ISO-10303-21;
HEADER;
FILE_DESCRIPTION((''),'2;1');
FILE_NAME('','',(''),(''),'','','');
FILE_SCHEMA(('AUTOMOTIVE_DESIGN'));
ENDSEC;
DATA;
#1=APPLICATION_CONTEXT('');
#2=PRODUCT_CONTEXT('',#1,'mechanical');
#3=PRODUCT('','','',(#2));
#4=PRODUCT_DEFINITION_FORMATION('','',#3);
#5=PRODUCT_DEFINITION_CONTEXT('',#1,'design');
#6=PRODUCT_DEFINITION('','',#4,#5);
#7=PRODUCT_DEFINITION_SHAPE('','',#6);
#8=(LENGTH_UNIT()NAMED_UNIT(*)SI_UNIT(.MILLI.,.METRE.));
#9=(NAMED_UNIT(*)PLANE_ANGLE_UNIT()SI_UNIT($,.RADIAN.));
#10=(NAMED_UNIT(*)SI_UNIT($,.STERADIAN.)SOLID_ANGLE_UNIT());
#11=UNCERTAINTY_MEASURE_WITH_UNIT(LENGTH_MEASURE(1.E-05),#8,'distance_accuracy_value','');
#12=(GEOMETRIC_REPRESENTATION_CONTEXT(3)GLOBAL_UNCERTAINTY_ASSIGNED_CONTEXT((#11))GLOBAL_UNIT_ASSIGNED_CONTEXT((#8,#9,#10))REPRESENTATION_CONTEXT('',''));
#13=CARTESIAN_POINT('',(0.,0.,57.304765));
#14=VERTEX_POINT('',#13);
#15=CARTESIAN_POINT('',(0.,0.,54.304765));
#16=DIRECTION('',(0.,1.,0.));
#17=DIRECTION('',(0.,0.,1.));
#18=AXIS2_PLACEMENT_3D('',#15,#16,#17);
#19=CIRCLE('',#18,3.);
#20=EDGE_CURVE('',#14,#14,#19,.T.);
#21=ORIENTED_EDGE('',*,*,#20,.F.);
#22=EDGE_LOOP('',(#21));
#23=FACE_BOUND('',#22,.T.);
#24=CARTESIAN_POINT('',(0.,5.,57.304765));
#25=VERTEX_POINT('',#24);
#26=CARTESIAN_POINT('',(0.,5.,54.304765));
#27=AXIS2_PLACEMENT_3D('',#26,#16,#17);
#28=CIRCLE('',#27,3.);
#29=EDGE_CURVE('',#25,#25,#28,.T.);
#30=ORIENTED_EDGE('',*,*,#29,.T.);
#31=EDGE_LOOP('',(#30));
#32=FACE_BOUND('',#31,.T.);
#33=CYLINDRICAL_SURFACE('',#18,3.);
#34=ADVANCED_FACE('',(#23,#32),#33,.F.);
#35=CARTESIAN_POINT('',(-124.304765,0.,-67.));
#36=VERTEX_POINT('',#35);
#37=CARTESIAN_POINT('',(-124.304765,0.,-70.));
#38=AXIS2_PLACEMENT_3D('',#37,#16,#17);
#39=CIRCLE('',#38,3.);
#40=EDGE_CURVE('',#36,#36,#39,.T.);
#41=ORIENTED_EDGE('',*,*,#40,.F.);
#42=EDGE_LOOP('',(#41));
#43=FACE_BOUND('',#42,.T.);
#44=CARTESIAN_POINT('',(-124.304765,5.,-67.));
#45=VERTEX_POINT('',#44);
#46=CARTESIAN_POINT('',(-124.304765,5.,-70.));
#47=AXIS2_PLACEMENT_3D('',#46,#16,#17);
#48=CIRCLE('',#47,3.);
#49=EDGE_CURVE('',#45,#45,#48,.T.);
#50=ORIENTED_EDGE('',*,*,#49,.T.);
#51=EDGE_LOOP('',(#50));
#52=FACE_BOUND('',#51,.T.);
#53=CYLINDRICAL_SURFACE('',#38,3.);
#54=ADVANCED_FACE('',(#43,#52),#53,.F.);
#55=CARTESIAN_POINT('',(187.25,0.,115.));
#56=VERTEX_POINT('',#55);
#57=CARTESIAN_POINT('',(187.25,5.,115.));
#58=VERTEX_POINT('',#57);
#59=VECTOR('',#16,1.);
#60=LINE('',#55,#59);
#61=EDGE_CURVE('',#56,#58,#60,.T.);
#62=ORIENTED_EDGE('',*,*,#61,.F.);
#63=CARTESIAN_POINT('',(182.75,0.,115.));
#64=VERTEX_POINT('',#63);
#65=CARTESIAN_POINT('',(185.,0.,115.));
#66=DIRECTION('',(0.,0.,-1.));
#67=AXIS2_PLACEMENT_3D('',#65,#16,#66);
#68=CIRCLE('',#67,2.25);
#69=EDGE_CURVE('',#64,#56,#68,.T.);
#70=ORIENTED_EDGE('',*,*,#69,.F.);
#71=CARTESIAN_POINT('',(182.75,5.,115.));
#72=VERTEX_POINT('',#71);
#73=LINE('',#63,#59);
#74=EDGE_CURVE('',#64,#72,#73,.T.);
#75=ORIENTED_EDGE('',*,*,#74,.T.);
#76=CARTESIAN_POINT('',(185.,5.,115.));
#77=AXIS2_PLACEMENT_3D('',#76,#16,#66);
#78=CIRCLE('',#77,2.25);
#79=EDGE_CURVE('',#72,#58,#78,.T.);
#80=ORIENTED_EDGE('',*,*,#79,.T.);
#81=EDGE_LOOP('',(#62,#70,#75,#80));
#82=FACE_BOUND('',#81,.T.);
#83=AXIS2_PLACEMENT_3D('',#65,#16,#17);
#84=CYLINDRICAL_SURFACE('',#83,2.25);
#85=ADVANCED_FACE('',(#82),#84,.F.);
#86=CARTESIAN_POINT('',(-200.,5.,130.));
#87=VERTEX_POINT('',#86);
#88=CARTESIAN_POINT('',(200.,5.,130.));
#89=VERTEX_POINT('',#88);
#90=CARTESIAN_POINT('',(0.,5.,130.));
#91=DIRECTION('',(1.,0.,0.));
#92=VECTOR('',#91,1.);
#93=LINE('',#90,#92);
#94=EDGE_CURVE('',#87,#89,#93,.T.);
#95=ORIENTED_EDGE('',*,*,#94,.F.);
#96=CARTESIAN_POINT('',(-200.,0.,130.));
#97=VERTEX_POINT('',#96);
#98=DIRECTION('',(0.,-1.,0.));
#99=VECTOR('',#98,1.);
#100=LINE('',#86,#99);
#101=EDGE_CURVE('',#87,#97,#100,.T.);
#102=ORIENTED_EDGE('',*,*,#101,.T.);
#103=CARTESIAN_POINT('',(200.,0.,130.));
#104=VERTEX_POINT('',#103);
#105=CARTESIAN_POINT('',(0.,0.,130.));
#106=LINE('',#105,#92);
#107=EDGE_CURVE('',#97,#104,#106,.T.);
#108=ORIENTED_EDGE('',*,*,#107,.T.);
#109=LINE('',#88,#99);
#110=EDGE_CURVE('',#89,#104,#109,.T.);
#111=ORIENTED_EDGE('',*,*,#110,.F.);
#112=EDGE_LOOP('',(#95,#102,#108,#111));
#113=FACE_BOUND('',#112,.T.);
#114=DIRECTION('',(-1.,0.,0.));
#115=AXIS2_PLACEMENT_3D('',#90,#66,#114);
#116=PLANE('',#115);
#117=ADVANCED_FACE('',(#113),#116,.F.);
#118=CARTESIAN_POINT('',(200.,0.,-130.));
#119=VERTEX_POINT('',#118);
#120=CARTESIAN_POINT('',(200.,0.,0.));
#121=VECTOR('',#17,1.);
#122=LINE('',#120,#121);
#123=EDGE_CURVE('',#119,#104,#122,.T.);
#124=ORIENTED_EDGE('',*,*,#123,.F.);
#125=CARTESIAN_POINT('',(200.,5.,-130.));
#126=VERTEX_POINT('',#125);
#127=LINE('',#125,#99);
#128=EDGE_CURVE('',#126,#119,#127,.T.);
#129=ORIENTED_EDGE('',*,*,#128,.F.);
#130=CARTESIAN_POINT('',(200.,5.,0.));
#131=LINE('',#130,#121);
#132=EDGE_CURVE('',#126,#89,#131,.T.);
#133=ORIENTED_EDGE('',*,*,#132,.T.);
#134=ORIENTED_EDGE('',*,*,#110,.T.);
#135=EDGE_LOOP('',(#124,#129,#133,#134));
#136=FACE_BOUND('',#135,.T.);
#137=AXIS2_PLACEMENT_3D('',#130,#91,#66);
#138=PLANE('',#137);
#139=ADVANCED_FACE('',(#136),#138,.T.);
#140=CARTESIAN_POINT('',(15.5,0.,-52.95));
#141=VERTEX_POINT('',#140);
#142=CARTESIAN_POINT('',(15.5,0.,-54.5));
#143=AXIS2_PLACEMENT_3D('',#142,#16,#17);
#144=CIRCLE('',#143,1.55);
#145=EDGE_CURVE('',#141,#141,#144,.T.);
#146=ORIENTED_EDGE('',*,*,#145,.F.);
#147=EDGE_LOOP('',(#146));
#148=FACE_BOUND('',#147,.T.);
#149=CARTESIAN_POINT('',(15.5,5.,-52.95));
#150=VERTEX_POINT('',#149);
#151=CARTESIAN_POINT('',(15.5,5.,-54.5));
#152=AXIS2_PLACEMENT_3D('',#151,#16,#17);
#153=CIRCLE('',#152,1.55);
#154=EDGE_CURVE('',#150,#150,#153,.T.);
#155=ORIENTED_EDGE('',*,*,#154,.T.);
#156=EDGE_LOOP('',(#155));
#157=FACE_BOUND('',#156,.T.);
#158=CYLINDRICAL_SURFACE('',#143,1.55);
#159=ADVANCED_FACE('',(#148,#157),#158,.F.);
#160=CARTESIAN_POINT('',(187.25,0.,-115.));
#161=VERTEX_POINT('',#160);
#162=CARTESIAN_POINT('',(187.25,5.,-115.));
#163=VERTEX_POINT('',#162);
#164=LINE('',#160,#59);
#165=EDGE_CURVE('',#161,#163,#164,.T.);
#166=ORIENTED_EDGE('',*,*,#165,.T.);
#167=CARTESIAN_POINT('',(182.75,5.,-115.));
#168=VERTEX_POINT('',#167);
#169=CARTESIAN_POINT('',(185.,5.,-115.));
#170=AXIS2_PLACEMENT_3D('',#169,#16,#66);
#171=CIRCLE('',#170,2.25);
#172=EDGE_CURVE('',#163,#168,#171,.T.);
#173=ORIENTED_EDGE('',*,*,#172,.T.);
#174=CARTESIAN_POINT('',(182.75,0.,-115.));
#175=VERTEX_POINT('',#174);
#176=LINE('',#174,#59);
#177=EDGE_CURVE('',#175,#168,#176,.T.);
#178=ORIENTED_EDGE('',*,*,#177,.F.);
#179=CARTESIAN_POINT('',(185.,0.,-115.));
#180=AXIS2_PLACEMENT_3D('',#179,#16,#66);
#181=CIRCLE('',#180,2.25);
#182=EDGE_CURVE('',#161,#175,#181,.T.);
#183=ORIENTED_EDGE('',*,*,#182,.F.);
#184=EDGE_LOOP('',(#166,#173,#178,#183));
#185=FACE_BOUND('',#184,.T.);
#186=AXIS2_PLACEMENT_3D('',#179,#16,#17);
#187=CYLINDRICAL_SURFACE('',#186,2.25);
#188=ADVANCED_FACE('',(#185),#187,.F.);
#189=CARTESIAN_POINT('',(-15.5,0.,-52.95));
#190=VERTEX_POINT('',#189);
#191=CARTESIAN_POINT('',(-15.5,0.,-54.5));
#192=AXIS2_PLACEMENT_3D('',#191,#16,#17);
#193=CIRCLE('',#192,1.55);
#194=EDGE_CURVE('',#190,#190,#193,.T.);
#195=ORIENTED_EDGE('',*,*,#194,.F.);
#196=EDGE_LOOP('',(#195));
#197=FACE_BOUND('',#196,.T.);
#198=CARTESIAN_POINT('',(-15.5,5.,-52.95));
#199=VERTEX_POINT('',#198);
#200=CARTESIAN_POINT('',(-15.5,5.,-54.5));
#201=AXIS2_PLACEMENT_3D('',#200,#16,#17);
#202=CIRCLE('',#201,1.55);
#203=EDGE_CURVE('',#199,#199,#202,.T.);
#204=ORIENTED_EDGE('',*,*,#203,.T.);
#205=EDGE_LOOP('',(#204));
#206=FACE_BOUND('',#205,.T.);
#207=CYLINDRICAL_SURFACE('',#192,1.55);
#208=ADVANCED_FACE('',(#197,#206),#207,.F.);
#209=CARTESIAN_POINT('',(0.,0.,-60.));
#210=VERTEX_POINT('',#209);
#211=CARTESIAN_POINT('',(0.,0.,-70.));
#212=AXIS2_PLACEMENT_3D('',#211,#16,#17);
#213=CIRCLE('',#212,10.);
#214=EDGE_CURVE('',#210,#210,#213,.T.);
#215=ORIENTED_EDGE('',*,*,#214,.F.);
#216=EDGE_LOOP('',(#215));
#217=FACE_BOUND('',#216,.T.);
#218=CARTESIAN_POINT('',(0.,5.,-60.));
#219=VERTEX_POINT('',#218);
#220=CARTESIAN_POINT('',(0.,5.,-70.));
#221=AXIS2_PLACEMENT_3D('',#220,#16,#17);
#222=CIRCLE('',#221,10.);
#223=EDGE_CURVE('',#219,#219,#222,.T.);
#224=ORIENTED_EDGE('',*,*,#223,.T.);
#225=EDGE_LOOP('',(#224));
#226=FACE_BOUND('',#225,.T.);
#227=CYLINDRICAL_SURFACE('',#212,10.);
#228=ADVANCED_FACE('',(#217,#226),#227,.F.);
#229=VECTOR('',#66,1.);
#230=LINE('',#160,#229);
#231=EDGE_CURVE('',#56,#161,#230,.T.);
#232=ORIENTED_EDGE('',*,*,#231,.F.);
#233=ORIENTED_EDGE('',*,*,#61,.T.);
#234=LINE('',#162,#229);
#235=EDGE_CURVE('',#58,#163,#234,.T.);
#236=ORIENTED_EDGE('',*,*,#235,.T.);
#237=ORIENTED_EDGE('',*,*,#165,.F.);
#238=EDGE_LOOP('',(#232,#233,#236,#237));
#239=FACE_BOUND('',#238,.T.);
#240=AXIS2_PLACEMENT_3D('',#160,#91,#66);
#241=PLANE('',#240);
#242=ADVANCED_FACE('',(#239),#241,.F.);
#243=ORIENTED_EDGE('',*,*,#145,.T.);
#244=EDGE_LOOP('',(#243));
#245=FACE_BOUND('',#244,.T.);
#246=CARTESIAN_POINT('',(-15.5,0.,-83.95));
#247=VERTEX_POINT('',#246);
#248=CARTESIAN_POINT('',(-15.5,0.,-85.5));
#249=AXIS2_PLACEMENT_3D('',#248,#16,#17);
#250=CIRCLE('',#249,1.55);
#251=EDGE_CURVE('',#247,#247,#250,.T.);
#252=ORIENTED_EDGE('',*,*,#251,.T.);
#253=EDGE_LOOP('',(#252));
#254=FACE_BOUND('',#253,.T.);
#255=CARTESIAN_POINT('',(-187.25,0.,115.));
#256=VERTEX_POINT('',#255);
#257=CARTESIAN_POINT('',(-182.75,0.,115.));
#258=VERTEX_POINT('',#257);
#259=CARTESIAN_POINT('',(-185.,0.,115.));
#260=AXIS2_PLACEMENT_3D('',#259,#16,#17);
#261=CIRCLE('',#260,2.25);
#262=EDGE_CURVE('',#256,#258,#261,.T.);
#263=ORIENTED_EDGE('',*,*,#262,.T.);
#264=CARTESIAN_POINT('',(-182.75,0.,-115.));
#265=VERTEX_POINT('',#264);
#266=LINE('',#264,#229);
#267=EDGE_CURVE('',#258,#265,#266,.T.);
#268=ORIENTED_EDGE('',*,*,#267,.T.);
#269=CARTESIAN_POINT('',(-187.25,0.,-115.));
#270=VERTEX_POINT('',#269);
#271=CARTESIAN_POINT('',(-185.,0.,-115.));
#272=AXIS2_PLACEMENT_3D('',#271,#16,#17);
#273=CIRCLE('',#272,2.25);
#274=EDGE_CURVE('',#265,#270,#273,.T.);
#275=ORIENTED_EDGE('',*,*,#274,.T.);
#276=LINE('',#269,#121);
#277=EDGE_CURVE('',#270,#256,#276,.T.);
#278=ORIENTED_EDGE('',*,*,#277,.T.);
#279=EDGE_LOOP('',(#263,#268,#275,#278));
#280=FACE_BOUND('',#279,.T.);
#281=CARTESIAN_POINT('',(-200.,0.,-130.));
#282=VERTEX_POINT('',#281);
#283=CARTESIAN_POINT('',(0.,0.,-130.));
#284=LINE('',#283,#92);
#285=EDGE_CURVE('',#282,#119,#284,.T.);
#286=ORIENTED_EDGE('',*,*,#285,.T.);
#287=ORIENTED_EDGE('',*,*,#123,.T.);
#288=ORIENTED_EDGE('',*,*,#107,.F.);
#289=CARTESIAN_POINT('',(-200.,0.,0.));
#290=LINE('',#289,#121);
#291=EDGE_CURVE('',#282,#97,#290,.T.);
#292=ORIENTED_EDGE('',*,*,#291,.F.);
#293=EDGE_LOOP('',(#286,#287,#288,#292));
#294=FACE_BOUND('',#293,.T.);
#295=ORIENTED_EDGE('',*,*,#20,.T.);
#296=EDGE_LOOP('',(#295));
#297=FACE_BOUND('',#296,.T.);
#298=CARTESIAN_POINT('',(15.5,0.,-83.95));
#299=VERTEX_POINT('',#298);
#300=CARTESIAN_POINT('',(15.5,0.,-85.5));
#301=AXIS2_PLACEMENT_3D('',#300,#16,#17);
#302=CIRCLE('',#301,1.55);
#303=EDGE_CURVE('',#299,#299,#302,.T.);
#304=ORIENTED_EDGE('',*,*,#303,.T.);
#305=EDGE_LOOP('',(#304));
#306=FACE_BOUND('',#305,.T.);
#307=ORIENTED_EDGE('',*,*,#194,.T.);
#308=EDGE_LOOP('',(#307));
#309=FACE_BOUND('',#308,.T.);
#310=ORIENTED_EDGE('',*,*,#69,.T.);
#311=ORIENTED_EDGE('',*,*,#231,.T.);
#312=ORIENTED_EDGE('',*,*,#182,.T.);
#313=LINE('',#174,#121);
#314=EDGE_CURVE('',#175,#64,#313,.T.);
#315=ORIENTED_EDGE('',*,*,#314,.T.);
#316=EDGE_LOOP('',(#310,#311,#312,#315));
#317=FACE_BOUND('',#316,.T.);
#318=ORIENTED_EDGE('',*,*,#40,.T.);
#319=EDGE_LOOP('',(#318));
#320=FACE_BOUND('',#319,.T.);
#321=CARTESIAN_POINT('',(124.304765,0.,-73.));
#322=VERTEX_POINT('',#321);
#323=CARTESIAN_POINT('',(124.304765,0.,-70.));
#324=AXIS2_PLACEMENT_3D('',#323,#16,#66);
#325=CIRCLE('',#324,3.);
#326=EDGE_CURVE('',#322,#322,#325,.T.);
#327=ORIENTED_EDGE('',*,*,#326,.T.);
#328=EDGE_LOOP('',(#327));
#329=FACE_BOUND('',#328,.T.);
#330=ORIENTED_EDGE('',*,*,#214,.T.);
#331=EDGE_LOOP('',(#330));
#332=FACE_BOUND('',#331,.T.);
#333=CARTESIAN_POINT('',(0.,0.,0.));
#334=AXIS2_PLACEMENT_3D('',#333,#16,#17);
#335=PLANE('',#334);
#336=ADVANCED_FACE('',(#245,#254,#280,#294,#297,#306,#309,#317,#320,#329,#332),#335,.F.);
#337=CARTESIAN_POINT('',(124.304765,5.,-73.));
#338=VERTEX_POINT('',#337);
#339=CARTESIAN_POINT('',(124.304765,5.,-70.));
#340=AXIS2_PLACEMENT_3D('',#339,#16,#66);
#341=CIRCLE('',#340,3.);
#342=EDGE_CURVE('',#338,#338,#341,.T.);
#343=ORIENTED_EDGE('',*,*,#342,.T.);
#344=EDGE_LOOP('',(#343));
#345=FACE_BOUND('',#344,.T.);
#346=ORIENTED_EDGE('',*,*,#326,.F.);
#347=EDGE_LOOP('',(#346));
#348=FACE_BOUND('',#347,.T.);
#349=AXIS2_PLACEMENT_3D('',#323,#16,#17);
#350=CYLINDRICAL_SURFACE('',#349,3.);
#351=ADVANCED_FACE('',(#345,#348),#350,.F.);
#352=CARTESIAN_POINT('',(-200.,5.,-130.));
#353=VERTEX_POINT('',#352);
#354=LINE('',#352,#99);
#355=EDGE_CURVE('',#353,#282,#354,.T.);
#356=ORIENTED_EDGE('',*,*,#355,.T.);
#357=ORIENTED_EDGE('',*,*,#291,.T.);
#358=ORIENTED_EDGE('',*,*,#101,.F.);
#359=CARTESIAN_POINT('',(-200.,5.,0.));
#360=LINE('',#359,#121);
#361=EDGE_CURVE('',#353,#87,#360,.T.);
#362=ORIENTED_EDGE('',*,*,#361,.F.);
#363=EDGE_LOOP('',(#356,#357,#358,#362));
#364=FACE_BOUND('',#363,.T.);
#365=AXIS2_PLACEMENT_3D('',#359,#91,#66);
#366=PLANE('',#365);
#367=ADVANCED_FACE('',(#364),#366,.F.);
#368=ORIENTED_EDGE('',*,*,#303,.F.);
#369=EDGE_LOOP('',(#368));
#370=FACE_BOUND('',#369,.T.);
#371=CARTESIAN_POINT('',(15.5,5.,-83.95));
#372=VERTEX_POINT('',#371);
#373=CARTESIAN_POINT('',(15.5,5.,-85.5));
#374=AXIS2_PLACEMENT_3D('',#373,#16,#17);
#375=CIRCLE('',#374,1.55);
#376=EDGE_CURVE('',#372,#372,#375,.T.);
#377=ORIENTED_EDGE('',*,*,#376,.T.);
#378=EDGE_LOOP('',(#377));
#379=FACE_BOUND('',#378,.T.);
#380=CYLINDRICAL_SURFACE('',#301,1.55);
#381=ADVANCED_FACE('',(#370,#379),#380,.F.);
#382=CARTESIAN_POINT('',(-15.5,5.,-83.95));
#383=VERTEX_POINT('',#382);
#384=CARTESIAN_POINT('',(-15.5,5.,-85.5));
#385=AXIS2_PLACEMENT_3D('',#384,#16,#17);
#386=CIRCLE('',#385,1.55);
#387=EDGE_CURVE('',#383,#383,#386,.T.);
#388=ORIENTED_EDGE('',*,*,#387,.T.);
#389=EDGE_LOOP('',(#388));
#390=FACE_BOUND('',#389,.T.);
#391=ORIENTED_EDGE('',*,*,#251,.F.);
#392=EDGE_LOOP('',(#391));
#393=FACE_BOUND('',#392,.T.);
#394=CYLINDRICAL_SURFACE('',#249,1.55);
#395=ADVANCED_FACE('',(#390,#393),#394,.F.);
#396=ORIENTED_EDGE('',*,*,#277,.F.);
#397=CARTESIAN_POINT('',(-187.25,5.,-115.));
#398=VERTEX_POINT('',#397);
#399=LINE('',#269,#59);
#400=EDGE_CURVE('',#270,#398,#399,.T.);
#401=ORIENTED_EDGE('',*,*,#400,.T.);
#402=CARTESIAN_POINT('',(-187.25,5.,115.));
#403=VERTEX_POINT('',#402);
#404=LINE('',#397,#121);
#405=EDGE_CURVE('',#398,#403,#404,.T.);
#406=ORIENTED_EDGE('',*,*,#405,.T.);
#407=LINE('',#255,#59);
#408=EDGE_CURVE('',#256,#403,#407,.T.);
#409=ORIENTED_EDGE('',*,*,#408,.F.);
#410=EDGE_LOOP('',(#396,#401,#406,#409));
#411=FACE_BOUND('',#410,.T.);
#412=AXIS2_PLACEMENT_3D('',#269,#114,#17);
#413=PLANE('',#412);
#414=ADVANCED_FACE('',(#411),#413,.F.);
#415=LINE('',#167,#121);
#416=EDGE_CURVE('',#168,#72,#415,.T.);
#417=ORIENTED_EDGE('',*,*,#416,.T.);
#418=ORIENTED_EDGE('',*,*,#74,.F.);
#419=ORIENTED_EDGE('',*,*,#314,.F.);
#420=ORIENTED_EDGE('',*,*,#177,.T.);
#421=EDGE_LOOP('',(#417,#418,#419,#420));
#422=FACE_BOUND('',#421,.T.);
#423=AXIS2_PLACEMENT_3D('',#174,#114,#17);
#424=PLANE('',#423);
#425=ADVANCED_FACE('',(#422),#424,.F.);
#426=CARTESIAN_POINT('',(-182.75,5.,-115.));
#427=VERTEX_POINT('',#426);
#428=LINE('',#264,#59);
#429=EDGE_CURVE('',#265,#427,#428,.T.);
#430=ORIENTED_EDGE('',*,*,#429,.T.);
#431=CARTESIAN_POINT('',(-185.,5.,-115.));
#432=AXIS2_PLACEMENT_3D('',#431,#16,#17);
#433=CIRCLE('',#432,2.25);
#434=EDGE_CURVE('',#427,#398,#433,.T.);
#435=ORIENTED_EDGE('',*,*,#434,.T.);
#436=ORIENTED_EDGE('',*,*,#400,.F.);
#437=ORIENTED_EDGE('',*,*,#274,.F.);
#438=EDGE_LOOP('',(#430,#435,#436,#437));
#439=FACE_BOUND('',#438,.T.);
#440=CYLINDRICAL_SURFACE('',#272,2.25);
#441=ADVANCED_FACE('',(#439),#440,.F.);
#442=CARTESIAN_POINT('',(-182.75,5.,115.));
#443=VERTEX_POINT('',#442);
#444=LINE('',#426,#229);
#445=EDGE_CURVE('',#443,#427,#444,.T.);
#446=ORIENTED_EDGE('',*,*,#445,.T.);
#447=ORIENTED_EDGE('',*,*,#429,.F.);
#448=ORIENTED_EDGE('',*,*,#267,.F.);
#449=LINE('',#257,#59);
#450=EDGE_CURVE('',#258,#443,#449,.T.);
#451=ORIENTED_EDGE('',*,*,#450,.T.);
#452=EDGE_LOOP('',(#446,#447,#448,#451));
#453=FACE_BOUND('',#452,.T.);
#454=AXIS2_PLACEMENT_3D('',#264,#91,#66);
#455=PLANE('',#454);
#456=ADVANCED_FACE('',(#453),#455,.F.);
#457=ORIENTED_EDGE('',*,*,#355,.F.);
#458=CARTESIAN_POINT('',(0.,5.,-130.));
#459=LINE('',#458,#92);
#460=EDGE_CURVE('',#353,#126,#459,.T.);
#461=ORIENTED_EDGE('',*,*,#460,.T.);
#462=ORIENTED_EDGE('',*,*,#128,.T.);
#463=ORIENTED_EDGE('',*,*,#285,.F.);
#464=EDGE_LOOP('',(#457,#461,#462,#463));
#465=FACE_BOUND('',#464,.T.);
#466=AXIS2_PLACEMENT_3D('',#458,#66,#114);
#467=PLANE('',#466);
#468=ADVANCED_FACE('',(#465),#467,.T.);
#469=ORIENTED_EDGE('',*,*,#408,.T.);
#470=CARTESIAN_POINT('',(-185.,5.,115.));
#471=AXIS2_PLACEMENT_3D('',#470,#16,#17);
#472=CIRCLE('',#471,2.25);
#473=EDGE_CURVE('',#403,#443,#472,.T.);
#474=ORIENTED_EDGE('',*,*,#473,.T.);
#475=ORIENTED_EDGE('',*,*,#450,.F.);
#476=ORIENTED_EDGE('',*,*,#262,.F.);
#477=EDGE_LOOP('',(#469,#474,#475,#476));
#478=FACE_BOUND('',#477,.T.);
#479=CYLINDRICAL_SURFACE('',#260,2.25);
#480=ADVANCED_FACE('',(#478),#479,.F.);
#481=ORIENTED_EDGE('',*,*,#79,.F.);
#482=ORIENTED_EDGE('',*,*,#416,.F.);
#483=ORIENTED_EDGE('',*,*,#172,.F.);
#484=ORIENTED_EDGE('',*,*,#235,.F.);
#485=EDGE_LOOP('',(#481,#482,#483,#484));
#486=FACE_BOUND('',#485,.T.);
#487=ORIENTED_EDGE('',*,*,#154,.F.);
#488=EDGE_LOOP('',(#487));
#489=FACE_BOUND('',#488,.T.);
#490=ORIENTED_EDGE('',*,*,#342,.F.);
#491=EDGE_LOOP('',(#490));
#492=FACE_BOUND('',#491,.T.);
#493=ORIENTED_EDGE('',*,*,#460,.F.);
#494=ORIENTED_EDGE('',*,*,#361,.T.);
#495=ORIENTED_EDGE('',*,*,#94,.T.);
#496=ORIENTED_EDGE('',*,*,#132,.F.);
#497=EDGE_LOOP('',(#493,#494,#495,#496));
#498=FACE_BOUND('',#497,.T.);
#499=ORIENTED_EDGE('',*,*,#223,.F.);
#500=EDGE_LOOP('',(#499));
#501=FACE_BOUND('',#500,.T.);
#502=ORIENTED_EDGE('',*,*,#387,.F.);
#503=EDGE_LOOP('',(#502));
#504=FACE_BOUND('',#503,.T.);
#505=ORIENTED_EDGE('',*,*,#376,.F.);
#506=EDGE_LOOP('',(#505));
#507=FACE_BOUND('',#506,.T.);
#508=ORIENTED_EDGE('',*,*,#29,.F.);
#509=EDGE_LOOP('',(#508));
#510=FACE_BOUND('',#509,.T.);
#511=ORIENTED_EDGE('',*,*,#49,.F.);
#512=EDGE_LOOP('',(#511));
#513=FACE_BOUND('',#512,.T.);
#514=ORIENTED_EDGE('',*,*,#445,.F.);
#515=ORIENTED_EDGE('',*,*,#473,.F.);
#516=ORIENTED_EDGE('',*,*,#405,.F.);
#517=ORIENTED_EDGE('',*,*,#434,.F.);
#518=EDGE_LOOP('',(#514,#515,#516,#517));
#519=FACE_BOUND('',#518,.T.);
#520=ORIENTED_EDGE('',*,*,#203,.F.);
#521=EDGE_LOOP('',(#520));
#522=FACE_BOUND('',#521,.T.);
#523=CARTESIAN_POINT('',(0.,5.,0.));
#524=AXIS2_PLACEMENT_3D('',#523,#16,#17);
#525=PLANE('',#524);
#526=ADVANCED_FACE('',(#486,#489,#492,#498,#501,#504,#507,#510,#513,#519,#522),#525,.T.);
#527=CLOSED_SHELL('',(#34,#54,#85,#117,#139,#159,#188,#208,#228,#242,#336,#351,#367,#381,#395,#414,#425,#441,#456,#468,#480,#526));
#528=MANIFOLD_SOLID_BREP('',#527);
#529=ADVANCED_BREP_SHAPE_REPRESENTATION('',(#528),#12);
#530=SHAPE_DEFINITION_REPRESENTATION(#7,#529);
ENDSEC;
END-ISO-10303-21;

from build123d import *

# Parameters (mm, degrees)
SKETCH_1_W          = 400
SKETCH_1_H          = 260
EXTRUDE_1_DEPTH     = 5
CUT_EXTRUDE_1_DEPTH = 239.589605809
SKETCH_3_R          = 1.55
SKETCH_3_R_2        = 10
SKETCH_3_R_3        = 3
CUT_EXTRUDE_2_DEPTH = 239.589605809


with BuildPart() as part:
    # 草圖1 → 填料-伸長1 (new body)
    with BuildSketch(Plane(origin=(0, 0, 0), x_dir=(1, 0, 0), z_dir=(0, 1, 0))):
        Rectangle(SKETCH_1_W, SKETCH_1_H)
    extrude(amount=EXTRUDE_1_DEPTH)

    # 草圖2 → 除料-伸長1 (cut, through all)
    with BuildSketch(Plane(origin=(0, 5, 0), x_dir=(1, 0, 0), z_dir=(0, 1, 0))):
        with BuildLine():
            Line((-182.75, 115), (-182.75, -115))
            ThreePointArc((-182.75, -115), (-185, -117.25), (-187.25, -115))
            Line((-187.25, -115), (-187.25, 115))
            ThreePointArc((-187.25, 115), (-185, 117.25), (-182.75, 115))
        make_face()
        with BuildLine():
            Line((182.75, 115), (182.75, -115))
            ThreePointArc((182.75, -115), (185, -117.25), (187.25, -115))
            Line((187.25, -115), (187.25, 115))
            ThreePointArc((187.25, 115), (185, 117.25), (182.75, 115))
        make_face()
    extrude(amount=-CUT_EXTRUDE_1_DEPTH, mode=Mode.SUBTRACT)

    # 草圖3 → 除料-伸長2 (cut, through all)
    with BuildSketch(Plane(origin=(0, 5, 0), x_dir=(1, 0, 0), z_dir=(0, 1, 0))):
        with Locations(Location((-15.5, 85.5, 0), (0, 0, 270))):
            Circle(SKETCH_3_R)
        with Locations(Location((15.5, 85.5, 0), (0, 0, 270))):
            Circle(SKETCH_3_R)
        with Locations(Location((-15.5, 54.5, 0), (0, 0, 270))):
            Circle(SKETCH_3_R)
        with Locations(Location((15.5, 54.5, 0), (0, 0, 270))):
            Circle(SKETCH_3_R)
        with Locations(Location((0, 70, 0), (0, 0, 270))):
            Circle(SKETCH_3_R_2)
        with Locations(Location((-124.304765272, 70, 0), (0, 0, 270))):
            Circle(SKETCH_3_R_3)
        with Locations(Location((124.304765272, 70, 0), (0, 0, 90))):
            Circle(SKETCH_3_R_3)
        with Locations(Location((0, -54.304765272, 0), (0, 0, 270))):
            Circle(SKETCH_3_R_3)
    extrude(amount=-CUT_EXTRUDE_2_DEPTH, mode=Mode.SUBTRACT)


solid = part.part
